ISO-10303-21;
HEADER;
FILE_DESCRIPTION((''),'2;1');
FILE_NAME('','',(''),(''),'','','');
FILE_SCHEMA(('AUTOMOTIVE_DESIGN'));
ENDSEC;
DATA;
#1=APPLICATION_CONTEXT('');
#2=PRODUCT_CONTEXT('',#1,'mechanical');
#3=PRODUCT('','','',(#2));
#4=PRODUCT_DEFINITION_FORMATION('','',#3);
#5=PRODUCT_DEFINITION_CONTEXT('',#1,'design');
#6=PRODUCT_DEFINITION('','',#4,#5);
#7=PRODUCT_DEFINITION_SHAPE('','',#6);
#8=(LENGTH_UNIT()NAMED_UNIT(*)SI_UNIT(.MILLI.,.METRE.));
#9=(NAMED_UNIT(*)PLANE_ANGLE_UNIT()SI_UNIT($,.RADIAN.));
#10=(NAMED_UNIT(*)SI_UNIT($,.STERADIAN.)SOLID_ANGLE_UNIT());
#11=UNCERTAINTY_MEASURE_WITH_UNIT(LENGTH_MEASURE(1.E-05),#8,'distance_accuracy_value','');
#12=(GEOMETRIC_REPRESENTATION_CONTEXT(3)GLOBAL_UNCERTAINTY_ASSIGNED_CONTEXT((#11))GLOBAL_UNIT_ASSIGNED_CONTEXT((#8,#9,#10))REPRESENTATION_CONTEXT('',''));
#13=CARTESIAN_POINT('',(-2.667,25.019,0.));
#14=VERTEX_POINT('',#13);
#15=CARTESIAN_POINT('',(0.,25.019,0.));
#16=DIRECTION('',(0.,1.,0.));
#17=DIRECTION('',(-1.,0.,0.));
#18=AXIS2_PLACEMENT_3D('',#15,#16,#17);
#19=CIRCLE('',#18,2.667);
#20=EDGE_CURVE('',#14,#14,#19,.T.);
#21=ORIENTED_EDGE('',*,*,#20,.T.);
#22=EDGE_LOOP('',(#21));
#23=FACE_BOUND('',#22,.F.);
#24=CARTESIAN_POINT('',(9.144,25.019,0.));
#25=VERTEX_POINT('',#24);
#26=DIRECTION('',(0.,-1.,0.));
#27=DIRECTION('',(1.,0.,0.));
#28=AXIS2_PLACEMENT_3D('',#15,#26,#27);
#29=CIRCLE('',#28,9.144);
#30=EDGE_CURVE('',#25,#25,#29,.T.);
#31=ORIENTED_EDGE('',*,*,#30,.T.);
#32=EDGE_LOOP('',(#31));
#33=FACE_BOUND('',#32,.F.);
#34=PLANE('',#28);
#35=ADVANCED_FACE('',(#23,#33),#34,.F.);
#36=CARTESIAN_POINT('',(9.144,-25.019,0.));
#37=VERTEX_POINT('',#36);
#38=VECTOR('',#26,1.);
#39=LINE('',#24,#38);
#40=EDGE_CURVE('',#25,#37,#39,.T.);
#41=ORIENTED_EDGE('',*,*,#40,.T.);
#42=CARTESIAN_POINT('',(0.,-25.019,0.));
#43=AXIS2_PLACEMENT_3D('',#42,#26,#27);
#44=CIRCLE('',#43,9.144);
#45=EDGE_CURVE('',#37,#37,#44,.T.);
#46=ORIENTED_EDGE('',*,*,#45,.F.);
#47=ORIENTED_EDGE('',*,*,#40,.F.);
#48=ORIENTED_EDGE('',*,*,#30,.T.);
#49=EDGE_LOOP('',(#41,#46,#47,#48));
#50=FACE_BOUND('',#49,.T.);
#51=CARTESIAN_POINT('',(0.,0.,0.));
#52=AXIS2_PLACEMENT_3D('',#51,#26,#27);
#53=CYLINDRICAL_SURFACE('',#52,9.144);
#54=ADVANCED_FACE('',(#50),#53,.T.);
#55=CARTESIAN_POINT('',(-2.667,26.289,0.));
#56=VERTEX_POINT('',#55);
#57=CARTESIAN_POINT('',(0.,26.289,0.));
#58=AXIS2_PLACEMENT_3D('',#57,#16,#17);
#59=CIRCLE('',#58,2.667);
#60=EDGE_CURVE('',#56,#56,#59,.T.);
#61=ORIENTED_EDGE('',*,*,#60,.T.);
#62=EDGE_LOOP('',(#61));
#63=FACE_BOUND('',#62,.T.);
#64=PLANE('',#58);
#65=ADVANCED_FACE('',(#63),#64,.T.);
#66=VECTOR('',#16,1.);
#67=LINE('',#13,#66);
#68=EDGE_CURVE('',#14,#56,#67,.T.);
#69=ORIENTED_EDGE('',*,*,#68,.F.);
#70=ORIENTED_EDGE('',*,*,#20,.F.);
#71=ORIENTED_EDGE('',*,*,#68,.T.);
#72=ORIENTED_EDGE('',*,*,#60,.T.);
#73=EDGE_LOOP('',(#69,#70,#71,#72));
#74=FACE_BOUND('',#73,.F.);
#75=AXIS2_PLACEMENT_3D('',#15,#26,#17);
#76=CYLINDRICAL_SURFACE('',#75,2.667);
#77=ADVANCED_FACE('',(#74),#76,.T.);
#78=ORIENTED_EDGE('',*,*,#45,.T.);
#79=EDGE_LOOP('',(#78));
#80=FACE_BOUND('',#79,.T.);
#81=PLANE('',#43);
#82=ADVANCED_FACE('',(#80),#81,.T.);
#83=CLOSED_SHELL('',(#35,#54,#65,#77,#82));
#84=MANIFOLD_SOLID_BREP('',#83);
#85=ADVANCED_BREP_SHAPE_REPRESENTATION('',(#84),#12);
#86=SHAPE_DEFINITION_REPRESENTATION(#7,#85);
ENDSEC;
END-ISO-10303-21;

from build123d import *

# Parameters (mm, degrees)
F0_R          = 9.144
F1_DEPTH      = 25.019
F1_DEPTH_BACK = 25.019
F2_R          = 2.667
F3_DEPTH      = 1.27


with BuildPart() as f1:
    # F0 (on Front) → F1 (new body, two sides)
    with BuildSketch(Plane.XZ) as f1_sk:
        Circle(F0_R)
    extrude(amount=F1_DEPTH)
    extrude(f1_sk.sketch, amount=-F1_DEPTH_BACK)

    # F2 (on face) → F3 (join)
    with BuildSketch(Plane(origin=(0, 25.019, 0), x_dir=(-1, 0, 0), z_dir=(0, 1, 0))):
        Circle(F2_R)
    extrude(amount=F3_DEPTH)


solid = f1.part
